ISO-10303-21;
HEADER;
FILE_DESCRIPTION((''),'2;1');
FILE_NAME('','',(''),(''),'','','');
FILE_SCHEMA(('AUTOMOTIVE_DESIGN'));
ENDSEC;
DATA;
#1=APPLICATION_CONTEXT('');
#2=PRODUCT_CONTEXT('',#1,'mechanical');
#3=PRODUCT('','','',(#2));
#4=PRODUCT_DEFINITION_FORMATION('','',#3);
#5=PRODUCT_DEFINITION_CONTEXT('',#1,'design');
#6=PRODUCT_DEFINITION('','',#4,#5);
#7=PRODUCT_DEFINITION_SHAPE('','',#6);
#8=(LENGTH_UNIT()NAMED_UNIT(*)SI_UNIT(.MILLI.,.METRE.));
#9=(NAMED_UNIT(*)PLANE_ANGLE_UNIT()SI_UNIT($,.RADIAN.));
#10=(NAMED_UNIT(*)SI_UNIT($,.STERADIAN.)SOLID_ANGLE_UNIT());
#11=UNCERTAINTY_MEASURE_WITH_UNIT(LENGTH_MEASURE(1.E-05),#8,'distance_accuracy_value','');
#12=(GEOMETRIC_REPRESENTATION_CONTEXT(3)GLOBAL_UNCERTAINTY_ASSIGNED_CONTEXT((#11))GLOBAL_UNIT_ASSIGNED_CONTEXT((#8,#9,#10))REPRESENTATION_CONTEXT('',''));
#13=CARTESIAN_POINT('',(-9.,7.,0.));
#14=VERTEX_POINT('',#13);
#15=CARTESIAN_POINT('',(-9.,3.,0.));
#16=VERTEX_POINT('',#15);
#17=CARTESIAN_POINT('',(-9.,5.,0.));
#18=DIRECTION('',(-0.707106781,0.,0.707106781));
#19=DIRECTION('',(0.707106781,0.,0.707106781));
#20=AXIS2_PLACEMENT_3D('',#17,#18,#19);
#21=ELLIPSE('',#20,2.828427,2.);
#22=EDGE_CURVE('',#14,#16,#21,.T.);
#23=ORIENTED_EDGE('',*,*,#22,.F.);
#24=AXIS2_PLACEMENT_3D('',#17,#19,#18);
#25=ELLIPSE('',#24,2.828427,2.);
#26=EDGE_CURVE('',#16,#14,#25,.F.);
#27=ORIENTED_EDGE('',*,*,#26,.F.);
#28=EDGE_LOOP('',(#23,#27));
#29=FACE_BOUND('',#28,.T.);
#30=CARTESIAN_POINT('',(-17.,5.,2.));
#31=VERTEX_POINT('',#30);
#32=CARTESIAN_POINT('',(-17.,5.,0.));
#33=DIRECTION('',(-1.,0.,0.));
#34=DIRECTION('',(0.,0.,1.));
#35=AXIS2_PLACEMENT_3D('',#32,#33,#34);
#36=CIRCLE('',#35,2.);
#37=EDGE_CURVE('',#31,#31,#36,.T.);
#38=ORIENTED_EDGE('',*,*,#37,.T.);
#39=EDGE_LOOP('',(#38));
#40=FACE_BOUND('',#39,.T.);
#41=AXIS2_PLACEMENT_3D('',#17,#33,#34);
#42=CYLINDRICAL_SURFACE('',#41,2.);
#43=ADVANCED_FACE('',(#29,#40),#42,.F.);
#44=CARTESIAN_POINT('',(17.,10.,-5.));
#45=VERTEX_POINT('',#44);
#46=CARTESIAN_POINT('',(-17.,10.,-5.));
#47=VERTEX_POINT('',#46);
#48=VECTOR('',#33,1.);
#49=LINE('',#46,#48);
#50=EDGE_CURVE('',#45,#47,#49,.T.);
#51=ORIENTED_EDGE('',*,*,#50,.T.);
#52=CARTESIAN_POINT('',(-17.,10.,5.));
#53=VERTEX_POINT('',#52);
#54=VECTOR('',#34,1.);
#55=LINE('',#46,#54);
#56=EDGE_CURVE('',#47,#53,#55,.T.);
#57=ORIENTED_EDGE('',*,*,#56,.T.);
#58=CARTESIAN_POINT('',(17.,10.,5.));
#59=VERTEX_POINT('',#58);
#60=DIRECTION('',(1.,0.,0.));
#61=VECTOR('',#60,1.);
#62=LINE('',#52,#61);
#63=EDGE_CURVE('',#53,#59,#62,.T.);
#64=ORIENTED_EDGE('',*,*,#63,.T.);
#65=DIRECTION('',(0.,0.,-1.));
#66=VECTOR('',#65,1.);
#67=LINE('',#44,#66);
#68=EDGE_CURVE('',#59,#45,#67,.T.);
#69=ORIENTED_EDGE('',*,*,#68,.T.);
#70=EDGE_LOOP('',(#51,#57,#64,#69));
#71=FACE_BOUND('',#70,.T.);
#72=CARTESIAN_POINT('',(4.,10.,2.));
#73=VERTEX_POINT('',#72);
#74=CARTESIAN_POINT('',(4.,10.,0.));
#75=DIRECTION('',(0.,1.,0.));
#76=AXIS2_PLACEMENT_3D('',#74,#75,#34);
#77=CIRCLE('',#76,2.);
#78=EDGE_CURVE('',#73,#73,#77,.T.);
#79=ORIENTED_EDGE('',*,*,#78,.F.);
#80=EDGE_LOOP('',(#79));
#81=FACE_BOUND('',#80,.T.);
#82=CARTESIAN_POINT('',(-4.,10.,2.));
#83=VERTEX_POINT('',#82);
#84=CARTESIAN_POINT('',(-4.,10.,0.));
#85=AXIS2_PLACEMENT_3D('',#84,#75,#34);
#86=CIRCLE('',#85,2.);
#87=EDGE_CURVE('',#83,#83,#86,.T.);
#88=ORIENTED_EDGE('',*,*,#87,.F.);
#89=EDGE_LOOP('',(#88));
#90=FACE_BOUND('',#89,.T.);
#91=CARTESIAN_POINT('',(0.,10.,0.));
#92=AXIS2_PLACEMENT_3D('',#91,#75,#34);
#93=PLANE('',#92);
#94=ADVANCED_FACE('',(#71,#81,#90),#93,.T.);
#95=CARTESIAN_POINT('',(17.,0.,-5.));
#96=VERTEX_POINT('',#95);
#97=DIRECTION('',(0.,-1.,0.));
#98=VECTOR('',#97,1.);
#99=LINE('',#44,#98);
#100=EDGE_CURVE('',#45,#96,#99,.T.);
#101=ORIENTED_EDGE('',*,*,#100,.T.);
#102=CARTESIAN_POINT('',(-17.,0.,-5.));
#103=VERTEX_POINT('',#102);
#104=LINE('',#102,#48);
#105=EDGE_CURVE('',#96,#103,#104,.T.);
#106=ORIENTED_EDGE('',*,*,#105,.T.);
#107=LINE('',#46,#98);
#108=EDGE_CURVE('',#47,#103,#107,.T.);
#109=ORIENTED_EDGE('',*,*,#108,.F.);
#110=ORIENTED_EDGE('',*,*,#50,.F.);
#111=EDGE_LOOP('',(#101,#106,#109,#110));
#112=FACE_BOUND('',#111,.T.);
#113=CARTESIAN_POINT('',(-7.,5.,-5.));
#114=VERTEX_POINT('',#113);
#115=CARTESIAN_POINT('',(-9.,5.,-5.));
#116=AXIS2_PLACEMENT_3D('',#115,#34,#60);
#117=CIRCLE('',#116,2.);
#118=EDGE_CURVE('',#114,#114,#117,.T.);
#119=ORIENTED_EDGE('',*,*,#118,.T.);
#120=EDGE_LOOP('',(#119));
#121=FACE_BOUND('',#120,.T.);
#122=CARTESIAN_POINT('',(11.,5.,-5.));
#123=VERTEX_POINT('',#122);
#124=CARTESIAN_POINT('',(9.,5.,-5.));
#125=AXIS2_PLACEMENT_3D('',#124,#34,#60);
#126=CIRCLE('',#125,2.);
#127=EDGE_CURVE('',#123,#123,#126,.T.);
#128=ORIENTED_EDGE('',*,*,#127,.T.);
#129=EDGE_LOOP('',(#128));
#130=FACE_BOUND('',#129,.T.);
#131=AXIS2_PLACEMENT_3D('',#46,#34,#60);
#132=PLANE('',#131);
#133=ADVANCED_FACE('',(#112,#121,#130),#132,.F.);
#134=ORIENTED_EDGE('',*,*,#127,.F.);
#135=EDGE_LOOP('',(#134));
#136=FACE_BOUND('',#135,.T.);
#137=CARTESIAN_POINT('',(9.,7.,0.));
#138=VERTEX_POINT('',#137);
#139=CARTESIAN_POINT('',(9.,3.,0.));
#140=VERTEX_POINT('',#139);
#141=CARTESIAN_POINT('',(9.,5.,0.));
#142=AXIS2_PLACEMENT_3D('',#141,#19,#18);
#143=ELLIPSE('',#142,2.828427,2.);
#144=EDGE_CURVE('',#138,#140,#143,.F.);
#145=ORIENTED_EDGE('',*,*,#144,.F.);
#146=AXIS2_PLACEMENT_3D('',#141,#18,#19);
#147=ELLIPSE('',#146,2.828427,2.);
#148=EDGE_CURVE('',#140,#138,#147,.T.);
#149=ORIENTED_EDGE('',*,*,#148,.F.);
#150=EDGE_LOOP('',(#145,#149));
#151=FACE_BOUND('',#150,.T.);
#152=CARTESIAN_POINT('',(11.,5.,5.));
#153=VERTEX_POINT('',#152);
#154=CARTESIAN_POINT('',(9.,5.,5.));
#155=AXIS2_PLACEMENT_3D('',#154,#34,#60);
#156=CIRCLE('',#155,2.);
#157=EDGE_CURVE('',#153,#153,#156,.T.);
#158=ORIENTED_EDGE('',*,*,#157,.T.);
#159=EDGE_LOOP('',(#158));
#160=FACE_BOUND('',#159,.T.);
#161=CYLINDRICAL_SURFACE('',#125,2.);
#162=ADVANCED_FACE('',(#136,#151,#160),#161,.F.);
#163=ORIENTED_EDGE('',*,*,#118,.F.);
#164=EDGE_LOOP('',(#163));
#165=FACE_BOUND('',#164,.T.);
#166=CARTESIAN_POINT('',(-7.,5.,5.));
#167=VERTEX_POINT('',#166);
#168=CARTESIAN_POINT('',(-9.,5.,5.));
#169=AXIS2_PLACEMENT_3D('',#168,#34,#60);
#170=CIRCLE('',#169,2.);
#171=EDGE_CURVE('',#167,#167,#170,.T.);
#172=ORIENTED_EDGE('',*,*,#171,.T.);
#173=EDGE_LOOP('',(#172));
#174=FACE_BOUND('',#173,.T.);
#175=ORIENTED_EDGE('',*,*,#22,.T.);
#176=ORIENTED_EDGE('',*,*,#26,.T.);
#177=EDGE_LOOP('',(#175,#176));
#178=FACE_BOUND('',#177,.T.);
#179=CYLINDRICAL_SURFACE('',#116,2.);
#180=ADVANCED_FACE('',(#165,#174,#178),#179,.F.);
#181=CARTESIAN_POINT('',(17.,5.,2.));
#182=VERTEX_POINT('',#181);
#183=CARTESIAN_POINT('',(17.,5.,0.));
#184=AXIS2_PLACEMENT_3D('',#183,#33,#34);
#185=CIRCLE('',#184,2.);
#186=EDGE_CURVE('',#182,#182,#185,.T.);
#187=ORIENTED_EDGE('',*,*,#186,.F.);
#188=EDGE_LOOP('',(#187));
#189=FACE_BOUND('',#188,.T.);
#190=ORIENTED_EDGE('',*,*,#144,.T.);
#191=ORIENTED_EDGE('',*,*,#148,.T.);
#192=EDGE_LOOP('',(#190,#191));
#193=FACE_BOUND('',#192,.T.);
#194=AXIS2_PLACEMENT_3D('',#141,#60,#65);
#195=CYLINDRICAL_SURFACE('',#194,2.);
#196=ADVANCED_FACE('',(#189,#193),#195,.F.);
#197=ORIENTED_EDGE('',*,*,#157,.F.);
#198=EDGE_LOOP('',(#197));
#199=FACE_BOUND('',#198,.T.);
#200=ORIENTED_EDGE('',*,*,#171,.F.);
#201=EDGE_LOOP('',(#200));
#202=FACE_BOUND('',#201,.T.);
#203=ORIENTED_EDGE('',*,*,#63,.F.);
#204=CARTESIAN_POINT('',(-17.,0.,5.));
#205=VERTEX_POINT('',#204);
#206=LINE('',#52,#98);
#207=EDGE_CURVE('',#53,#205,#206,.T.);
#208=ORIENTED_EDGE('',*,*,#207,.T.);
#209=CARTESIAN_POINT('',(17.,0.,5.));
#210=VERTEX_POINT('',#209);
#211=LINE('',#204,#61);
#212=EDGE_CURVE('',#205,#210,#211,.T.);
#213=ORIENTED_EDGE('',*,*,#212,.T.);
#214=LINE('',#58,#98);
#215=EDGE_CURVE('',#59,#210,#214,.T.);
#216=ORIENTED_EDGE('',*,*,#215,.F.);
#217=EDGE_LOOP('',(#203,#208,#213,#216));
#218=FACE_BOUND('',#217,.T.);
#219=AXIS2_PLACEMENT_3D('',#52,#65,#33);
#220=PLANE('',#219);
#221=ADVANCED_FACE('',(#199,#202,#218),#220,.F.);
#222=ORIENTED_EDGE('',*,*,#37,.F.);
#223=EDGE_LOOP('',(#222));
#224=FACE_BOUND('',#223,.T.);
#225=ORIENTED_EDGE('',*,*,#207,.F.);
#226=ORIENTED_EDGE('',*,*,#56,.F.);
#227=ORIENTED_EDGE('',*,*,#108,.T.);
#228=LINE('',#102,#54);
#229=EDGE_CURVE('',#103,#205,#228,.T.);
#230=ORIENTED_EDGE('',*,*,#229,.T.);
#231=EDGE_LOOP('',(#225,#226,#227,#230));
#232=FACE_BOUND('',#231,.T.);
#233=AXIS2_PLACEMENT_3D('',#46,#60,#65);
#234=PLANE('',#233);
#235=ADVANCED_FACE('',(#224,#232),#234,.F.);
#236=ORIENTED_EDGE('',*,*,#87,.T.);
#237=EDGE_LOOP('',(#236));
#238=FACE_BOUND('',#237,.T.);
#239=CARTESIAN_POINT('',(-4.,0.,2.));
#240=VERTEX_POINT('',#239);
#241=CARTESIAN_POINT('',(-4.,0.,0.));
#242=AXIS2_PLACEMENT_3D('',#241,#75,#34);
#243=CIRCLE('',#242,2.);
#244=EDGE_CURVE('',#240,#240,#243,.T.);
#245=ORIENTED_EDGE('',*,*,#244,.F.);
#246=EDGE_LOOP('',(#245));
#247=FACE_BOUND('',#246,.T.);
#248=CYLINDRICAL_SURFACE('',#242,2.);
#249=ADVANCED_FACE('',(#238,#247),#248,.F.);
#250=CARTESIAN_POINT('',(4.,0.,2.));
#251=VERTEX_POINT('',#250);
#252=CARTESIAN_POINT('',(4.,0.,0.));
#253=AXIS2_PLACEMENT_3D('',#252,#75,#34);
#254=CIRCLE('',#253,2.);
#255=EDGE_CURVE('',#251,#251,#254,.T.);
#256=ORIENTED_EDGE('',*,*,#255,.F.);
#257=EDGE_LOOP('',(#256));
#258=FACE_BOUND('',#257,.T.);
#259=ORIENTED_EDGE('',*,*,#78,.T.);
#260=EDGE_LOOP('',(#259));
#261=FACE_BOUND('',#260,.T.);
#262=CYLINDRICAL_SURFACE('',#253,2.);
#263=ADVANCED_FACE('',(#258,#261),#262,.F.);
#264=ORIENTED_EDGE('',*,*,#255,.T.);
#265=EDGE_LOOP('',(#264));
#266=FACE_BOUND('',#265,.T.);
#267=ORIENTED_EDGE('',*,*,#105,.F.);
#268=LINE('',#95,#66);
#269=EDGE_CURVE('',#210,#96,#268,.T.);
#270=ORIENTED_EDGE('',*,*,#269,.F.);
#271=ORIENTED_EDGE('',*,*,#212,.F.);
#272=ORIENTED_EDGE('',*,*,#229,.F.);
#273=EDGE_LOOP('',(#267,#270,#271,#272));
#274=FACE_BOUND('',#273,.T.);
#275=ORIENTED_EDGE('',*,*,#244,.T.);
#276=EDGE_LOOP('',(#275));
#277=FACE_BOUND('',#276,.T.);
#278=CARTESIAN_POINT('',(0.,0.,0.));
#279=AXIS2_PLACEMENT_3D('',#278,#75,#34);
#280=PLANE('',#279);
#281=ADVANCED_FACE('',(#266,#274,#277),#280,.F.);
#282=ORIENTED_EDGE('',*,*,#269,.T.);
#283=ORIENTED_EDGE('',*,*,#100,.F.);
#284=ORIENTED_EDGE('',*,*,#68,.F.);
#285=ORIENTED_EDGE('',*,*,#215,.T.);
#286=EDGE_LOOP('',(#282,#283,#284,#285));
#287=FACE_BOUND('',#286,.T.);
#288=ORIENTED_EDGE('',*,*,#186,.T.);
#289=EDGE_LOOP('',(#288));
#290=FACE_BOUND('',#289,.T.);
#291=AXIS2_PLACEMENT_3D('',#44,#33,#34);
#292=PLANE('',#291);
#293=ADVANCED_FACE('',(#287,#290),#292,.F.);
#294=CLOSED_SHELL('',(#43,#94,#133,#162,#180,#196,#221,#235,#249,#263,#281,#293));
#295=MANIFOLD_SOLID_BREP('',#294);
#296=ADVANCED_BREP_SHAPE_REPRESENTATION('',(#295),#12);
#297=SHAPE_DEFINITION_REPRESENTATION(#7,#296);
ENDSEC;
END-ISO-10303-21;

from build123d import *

# Parameters (mm, degrees)
SKETCH_1_W          = 34
SKETCH_1_H          = 10
EXTRUDE_1_DEPTH     = 10
SKETCH_2_R          = 2
CUT_EXTRUDE_1_DEPTH = 10
SKETCH_3_R          = 2
CUT_EXTRUDE_2_DEPTH = 10
SKETCH_4_R          = 2
CUT_EXTRUDE_3_DEPTH = 8


with BuildPart() as part:
    # 草图1 → 凸台-拉伸1 (new body)
    with BuildSketch(Plane(origin=(0, 0, 0), x_dir=(1, 0, 0), z_dir=(0, 1, 0))):
        Rectangle(SKETCH_1_W, SKETCH_1_H)
    extrude(amount=EXTRUDE_1_DEPTH)

    # 草图2 → 切除-拉伸1 (cut)
    with BuildSketch(Plane.XY.offset(5)):
        with Locations((-9, 5)):
            Circle(SKETCH_2_R)
        with Locations((9, 5)):
            Circle(SKETCH_2_R)
    extrude(amount=-CUT_EXTRUDE_1_DEPTH, mode=Mode.SUBTRACT)

    # 草图3 → 切除-拉伸2 (cut)
    with BuildSketch(Plane(origin=(0, 10, 0), x_dir=(1, 0, 0), z_dir=(0, 1, 0))):
        with Locations(Location((-4, 0, 0), (0, 0, 270))):
            Circle(SKETCH_3_R)
        with Locations(Location((4, 0, 0), (0, 0, 270))):
            Circle(SKETCH_3_R)
    extrude(amount=-CUT_EXTRUDE_2_DEPTH, mode=Mode.SUBTRACT)

    # 草图4 → 切除-拉伸3 (cut)
    with BuildSketch(Plane.ZY.offset(17)):
        with Locations((0, 5)):
            Circle(SKETCH_4_R)
    cut_extrude_3 = extrude(amount=-CUT_EXTRUDE_3_DEPTH, mode=Mode.SUBTRACT)

    # 镜向1: 切除-拉伸3 across plane
    add(cut_extrude_3.mirror(Plane(origin=(0, 0, 0), x_dir=(0, 0, 1), z_dir=(1, 0, 0))), mode=Mode.SUBTRACT)


solid = part.part
